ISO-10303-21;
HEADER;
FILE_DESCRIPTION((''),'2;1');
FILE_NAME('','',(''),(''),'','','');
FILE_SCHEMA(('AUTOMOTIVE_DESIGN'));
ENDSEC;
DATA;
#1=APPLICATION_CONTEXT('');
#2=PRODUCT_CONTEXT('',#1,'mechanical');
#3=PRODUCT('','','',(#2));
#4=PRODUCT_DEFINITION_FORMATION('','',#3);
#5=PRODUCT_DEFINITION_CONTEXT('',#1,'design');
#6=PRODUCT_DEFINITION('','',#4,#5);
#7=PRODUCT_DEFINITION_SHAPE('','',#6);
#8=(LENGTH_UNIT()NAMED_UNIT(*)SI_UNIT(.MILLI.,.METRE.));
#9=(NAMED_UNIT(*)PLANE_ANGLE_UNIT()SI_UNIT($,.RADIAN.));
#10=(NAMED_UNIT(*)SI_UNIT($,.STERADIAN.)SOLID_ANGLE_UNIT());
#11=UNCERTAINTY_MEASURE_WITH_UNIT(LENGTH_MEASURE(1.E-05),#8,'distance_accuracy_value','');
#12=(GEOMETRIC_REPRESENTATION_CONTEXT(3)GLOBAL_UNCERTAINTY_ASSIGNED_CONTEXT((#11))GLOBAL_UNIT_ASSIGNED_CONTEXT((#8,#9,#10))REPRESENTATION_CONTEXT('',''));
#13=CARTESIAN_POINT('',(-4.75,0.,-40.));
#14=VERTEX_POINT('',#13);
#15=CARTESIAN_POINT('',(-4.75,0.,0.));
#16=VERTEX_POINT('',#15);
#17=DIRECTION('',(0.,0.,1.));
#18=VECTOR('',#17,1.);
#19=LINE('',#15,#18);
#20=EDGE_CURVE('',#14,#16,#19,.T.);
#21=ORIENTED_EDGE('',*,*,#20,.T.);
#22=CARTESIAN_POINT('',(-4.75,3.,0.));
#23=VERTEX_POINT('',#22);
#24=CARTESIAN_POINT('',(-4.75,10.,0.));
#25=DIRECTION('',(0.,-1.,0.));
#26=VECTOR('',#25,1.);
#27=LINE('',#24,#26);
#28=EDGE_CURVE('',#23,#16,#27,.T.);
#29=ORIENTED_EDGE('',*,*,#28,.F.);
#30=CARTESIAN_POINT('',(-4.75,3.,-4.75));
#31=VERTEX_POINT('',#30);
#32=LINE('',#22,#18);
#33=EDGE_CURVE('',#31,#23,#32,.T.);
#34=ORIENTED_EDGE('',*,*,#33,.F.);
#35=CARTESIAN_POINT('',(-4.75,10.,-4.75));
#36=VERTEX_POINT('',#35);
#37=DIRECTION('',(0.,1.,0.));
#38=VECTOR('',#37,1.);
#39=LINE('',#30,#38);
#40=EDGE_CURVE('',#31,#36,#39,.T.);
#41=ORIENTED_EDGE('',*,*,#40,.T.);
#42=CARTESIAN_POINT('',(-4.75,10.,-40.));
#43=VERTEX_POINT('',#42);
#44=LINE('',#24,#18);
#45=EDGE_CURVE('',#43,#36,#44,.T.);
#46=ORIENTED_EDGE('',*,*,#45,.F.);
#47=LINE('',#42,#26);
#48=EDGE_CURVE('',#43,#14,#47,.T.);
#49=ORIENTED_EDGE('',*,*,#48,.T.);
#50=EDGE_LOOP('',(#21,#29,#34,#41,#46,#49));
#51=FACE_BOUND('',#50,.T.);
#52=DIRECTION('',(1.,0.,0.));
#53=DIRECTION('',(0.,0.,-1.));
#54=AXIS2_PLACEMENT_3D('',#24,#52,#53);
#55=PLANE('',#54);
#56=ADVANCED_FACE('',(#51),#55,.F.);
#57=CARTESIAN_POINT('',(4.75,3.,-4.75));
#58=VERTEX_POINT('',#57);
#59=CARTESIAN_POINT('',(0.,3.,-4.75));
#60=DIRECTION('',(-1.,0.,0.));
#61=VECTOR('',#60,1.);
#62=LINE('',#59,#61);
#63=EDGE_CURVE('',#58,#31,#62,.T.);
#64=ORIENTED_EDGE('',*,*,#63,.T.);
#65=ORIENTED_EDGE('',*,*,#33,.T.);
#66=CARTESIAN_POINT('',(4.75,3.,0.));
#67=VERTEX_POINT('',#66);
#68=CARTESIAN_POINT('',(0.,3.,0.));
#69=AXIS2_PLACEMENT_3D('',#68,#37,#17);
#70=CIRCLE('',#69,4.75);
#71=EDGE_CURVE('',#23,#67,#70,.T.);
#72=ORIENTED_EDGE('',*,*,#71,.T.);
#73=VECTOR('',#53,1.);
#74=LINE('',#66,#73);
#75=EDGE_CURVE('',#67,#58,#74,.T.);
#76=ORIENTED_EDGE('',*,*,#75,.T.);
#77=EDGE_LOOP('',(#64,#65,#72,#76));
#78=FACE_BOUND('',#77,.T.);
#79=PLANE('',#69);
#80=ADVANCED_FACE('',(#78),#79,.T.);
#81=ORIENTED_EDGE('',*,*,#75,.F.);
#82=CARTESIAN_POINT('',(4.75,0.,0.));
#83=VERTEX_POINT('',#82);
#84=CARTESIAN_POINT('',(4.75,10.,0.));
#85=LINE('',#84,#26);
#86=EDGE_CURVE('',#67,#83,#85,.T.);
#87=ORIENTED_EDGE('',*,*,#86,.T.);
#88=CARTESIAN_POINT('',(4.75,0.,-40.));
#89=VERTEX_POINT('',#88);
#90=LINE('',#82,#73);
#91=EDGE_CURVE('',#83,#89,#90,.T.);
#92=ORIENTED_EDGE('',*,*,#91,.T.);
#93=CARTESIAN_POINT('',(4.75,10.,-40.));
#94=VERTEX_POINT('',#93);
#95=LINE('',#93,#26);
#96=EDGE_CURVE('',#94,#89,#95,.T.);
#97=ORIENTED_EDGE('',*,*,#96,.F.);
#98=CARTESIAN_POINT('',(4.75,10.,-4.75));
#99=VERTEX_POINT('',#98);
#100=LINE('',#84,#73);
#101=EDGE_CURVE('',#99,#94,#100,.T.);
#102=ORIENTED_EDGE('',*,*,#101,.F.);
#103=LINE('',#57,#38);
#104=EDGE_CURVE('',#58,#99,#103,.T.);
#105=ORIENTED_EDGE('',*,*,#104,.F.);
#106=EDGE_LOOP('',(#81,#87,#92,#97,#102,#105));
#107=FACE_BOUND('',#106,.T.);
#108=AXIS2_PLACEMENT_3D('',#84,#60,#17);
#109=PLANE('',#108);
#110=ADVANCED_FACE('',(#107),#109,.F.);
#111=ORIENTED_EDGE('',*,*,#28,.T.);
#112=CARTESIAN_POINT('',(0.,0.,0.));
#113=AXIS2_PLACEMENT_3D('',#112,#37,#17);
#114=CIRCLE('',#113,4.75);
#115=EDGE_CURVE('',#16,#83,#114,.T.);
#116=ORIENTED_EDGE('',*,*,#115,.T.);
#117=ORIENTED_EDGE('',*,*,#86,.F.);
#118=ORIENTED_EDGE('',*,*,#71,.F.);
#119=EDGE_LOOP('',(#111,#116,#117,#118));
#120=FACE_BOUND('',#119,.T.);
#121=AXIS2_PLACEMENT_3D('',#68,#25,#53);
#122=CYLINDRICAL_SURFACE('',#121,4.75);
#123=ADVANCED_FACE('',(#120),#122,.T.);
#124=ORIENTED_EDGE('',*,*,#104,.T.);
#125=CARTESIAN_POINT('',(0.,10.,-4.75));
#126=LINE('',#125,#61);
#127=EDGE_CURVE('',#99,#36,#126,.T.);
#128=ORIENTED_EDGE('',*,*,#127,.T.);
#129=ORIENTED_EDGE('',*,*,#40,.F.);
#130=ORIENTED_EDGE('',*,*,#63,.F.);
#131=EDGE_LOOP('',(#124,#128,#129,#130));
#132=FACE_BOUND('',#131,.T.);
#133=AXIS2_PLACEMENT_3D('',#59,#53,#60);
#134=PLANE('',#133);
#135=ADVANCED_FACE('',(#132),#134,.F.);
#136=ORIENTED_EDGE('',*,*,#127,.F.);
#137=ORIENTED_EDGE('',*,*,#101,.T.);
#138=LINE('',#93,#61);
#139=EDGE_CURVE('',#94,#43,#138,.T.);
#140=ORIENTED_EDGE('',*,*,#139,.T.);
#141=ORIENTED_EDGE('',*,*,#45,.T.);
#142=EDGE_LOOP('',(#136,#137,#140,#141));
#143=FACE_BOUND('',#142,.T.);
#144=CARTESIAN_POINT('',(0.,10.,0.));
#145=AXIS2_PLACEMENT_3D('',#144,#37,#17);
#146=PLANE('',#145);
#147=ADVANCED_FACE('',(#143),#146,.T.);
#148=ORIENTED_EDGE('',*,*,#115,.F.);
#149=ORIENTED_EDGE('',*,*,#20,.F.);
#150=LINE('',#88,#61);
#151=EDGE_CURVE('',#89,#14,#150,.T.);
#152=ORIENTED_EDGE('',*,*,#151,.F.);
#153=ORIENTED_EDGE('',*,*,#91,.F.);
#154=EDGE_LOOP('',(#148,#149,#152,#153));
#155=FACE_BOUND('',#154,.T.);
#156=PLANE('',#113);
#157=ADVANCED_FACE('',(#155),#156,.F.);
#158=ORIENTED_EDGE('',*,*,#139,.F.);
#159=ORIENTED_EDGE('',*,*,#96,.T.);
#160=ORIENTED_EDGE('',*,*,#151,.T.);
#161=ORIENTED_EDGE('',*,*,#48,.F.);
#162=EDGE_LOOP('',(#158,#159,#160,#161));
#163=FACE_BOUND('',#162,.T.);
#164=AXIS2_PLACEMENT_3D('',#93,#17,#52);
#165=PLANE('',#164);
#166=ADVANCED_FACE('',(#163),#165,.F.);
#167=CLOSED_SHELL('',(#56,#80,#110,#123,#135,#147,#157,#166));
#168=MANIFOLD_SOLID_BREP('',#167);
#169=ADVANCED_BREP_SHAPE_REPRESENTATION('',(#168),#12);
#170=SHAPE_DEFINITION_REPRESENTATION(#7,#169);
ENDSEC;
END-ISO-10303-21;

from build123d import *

# Parameters (mm, degrees)
SKETCH1_R           = 4.75
BOSS_EXTRUDE1_DEPTH = 3
BOSS_EXTRUDE2_DEPTH = 10
CUT_EXTRUDE1_DEPTH  = 7


with BuildPart() as part:
    # Sketch1 → Boss-Extrude1 (new body)
    with BuildSketch(Plane(origin=(0, 0, 0), x_dir=(1, 0, 0), z_dir=(0, 1, 0))):
        Circle(SKETCH1_R)
    extrude(amount=BOSS_EXTRUDE1_DEPTH)

    # Sketch2 → Boss-Extrude2 (add)
    with BuildSketch(Plane(origin=(0, 0, 0), x_dir=(1, 0, 0), z_dir=(0, 1, 0))):
        with BuildLine():
            Line((-4.75, 0), (-4.75, 40))
            Line((-4.75, 40), (4.75, 40))
            Line((4.75, 40), (4.75, 0))
            ThreePointArc((4.75, 0), (0, 4.75), (-4.75, 0))
        make_face()
    extrude(amount=BOSS_EXTRUDE2_DEPTH)

    # Sketch3 → Cut-Extrude1 (cut)
    with BuildSketch(Plane(origin=(0, 10, 0), x_dir=(1, 0, 0), z_dir=(0, 1, 0))):
        with BuildLine():
            ThreePointArc((-4.75, 0), (-3.358757211, 3.358757211), (0, 4.75))
            Line((0, 4.75), (-4.75, 4.75))
            Line((-4.75, 4.75), (-4.75, 0))
        make_face()
        with BuildLine():
            Line((4.75, 4.75), (0, 4.75))
            ThreePointArc((0, 4.75), (3.358757211, 3.358757211), (4.75, 0))
            Line((4.75, 0), (4.75, 4.75))
        make_face()
    extrude(amount=-CUT_EXTRUDE1_DEPTH, mode=Mode.SUBTRACT)


solid = part.part
